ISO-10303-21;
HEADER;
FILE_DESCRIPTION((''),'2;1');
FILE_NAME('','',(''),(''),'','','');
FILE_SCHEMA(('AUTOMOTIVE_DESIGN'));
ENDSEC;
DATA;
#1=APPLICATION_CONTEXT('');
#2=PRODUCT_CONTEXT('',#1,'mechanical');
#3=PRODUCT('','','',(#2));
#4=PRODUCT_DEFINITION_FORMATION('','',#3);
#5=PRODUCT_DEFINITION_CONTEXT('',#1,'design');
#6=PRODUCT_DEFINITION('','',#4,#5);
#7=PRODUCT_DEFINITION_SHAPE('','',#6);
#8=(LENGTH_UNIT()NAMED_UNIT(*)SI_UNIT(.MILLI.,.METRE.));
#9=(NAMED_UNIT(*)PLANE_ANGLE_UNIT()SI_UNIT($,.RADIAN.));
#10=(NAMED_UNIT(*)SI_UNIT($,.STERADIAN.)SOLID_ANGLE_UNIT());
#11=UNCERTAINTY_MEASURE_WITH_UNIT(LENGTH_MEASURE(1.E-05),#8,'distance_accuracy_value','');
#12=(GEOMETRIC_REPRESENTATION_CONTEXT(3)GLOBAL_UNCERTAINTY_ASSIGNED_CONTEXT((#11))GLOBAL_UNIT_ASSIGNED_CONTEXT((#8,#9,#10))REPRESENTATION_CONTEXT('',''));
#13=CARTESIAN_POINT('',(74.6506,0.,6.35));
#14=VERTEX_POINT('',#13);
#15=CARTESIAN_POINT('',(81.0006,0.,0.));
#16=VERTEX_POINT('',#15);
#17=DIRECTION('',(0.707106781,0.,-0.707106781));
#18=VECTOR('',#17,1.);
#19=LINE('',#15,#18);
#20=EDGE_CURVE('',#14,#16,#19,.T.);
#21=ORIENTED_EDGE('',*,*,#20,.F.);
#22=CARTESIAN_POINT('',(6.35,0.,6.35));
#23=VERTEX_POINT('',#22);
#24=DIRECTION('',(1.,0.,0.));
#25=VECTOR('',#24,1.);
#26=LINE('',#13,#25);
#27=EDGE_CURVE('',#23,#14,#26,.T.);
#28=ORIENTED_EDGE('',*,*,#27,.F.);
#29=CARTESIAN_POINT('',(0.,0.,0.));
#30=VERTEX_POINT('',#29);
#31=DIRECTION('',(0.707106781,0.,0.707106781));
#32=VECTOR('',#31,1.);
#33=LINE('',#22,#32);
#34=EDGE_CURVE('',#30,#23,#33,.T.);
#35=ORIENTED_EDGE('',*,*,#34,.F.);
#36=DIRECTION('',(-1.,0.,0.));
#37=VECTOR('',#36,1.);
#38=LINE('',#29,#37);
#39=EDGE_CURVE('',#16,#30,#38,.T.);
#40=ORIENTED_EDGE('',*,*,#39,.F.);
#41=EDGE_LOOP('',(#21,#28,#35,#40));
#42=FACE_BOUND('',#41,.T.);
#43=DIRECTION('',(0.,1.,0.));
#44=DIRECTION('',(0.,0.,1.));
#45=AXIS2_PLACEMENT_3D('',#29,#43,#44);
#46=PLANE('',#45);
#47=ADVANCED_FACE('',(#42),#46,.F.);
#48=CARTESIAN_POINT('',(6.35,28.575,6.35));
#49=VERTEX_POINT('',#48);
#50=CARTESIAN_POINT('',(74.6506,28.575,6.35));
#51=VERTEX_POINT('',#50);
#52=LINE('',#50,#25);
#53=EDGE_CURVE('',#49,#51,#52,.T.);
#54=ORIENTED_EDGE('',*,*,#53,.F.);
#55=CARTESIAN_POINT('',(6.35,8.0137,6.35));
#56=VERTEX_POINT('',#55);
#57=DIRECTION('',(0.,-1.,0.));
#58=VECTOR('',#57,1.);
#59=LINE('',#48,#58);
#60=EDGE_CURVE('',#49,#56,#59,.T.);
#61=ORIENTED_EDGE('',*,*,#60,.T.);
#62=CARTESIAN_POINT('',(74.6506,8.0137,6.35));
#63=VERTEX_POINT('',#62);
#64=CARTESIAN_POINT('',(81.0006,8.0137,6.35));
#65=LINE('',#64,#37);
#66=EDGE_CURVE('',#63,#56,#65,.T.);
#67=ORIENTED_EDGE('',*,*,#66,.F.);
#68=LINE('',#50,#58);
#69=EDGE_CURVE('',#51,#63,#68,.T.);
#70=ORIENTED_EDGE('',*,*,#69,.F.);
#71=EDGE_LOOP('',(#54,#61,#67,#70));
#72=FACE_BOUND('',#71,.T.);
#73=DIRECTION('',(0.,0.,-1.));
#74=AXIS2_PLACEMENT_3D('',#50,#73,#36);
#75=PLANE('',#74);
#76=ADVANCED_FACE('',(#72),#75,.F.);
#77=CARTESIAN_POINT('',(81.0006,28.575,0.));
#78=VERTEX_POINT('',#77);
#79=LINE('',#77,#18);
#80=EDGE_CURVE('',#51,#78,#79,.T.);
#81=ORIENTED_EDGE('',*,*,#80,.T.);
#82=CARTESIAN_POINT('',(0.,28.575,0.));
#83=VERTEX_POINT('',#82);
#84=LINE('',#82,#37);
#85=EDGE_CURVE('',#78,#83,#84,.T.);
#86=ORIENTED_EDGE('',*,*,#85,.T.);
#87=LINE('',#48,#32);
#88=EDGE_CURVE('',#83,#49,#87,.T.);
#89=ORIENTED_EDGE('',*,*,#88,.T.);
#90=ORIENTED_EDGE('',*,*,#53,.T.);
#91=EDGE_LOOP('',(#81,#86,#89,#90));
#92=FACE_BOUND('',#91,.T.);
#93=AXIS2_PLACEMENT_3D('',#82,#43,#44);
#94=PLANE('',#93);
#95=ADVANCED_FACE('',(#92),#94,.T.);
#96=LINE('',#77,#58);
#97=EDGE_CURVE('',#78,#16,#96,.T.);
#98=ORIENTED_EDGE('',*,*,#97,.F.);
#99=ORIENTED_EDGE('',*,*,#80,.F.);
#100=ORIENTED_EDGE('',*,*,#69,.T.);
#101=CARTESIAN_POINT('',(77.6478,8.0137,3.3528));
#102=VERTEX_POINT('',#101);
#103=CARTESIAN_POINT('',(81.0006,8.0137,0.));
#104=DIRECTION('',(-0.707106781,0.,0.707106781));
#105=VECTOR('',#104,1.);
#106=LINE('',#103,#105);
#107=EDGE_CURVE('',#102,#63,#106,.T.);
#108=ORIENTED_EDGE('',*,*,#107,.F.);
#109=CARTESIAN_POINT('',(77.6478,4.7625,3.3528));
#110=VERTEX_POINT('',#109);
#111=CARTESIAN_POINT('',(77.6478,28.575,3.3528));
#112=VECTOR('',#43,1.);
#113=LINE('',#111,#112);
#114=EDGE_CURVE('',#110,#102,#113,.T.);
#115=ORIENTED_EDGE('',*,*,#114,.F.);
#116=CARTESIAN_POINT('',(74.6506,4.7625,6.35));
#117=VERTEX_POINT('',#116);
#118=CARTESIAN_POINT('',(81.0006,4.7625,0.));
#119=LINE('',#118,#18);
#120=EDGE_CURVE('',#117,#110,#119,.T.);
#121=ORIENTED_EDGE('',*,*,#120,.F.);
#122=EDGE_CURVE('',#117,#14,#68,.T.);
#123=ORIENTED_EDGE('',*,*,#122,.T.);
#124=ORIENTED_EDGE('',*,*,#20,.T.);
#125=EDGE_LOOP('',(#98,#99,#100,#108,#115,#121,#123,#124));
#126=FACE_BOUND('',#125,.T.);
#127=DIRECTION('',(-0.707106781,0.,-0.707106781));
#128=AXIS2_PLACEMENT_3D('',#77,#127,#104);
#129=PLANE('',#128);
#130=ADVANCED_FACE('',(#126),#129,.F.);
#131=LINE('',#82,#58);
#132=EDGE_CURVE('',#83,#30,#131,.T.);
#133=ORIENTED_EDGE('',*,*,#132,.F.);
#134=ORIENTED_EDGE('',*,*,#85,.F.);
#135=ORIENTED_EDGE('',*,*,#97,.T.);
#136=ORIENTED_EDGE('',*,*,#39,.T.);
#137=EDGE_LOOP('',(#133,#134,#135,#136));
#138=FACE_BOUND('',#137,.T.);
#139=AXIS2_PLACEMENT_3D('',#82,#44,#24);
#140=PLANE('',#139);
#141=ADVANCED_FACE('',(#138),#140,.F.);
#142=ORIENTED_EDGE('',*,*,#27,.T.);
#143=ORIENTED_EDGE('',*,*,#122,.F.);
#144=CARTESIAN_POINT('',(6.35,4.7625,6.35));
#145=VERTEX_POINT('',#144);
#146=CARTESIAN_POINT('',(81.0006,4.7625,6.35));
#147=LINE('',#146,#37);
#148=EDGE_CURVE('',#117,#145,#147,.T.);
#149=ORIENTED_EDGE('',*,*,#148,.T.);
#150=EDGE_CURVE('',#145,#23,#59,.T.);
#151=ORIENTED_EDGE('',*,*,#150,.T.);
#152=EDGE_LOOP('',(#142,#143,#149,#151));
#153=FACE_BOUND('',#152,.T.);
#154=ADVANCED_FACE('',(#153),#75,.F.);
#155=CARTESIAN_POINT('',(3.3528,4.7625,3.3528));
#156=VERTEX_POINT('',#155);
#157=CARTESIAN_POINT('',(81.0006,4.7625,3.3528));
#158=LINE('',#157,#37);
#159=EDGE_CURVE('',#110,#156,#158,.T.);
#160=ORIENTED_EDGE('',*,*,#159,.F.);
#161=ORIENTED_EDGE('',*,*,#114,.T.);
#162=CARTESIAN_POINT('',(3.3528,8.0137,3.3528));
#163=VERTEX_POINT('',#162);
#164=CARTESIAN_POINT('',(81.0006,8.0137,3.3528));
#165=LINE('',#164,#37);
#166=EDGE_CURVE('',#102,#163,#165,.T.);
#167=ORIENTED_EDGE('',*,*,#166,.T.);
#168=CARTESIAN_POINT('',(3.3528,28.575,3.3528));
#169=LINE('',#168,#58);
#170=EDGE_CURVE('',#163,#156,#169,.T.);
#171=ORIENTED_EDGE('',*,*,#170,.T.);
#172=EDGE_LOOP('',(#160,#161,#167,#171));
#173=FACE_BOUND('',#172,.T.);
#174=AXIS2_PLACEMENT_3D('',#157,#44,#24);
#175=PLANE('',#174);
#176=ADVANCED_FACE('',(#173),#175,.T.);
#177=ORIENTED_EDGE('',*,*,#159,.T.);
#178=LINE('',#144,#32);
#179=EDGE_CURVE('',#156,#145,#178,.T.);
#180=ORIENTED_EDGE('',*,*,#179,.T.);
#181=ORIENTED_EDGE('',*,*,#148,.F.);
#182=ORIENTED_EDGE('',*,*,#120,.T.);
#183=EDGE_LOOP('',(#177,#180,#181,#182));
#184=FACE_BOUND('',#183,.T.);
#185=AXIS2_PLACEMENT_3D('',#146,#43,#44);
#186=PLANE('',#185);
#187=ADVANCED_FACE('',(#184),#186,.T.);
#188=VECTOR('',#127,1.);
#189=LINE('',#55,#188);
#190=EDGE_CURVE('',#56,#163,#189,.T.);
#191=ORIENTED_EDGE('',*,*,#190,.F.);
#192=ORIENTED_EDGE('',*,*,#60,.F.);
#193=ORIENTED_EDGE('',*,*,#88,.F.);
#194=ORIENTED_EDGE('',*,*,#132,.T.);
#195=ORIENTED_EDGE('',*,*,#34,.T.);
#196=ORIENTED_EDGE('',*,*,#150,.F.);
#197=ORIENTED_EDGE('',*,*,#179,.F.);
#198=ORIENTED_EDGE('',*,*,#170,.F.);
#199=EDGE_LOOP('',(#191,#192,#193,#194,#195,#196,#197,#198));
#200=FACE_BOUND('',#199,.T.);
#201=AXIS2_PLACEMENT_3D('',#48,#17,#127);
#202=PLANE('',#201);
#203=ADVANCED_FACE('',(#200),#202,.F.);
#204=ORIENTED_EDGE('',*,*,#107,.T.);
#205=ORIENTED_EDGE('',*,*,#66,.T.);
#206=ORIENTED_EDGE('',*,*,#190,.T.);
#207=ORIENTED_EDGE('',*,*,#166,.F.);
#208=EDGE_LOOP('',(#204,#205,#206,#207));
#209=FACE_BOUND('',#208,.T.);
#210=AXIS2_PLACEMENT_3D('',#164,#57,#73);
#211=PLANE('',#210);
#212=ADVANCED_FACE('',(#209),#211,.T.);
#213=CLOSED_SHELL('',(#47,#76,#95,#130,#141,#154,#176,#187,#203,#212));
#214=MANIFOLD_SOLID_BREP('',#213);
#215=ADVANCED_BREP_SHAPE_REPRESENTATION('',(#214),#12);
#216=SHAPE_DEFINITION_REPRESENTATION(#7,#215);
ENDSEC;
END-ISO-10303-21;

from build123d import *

# Parameters (mm, degrees)
BOSS_EXTRUDE1_DEPTH     = 28.575
SKETCH2_W               = 2.9972
SKETCH2_H               = 3.2512
CUT_EXTRUDE1_DEPTH      = 82.0006
CUT_EXTRUDE1_DEPTH_BACK = 1


with BuildPart() as part:
    # Sketch1 → Boss-Extrude1 (new body)
    with BuildSketch(Plane(origin=(0, 0, 0), x_dir=(1, 0, 0), z_dir=(0, 1, 0))):
        Polygon((0, 0), (81.0006, 0), (74.6506, -6.35), (6.35, -6.35), align=None)
    extrude(amount=BOSS_EXTRUDE1_DEPTH)

    # Sketch2 → Cut-Extrude1 (cut, two sides)
    with BuildSketch(Plane(origin=(0, 0, 0), x_dir=(0, 0, -1), z_dir=(1, 0, 0))) as cut_extrude1_sk:
        with Locations((-4.8514, 6.3881)):
            Rectangle(SKETCH2_W, SKETCH2_H)
    extrude(amount=CUT_EXTRUDE1_DEPTH, mode=Mode.SUBTRACT)
    extrude(cut_extrude1_sk.sketch, amount=-CUT_EXTRUDE1_DEPTH_BACK, mode=Mode.SUBTRACT)


solid = part.part
